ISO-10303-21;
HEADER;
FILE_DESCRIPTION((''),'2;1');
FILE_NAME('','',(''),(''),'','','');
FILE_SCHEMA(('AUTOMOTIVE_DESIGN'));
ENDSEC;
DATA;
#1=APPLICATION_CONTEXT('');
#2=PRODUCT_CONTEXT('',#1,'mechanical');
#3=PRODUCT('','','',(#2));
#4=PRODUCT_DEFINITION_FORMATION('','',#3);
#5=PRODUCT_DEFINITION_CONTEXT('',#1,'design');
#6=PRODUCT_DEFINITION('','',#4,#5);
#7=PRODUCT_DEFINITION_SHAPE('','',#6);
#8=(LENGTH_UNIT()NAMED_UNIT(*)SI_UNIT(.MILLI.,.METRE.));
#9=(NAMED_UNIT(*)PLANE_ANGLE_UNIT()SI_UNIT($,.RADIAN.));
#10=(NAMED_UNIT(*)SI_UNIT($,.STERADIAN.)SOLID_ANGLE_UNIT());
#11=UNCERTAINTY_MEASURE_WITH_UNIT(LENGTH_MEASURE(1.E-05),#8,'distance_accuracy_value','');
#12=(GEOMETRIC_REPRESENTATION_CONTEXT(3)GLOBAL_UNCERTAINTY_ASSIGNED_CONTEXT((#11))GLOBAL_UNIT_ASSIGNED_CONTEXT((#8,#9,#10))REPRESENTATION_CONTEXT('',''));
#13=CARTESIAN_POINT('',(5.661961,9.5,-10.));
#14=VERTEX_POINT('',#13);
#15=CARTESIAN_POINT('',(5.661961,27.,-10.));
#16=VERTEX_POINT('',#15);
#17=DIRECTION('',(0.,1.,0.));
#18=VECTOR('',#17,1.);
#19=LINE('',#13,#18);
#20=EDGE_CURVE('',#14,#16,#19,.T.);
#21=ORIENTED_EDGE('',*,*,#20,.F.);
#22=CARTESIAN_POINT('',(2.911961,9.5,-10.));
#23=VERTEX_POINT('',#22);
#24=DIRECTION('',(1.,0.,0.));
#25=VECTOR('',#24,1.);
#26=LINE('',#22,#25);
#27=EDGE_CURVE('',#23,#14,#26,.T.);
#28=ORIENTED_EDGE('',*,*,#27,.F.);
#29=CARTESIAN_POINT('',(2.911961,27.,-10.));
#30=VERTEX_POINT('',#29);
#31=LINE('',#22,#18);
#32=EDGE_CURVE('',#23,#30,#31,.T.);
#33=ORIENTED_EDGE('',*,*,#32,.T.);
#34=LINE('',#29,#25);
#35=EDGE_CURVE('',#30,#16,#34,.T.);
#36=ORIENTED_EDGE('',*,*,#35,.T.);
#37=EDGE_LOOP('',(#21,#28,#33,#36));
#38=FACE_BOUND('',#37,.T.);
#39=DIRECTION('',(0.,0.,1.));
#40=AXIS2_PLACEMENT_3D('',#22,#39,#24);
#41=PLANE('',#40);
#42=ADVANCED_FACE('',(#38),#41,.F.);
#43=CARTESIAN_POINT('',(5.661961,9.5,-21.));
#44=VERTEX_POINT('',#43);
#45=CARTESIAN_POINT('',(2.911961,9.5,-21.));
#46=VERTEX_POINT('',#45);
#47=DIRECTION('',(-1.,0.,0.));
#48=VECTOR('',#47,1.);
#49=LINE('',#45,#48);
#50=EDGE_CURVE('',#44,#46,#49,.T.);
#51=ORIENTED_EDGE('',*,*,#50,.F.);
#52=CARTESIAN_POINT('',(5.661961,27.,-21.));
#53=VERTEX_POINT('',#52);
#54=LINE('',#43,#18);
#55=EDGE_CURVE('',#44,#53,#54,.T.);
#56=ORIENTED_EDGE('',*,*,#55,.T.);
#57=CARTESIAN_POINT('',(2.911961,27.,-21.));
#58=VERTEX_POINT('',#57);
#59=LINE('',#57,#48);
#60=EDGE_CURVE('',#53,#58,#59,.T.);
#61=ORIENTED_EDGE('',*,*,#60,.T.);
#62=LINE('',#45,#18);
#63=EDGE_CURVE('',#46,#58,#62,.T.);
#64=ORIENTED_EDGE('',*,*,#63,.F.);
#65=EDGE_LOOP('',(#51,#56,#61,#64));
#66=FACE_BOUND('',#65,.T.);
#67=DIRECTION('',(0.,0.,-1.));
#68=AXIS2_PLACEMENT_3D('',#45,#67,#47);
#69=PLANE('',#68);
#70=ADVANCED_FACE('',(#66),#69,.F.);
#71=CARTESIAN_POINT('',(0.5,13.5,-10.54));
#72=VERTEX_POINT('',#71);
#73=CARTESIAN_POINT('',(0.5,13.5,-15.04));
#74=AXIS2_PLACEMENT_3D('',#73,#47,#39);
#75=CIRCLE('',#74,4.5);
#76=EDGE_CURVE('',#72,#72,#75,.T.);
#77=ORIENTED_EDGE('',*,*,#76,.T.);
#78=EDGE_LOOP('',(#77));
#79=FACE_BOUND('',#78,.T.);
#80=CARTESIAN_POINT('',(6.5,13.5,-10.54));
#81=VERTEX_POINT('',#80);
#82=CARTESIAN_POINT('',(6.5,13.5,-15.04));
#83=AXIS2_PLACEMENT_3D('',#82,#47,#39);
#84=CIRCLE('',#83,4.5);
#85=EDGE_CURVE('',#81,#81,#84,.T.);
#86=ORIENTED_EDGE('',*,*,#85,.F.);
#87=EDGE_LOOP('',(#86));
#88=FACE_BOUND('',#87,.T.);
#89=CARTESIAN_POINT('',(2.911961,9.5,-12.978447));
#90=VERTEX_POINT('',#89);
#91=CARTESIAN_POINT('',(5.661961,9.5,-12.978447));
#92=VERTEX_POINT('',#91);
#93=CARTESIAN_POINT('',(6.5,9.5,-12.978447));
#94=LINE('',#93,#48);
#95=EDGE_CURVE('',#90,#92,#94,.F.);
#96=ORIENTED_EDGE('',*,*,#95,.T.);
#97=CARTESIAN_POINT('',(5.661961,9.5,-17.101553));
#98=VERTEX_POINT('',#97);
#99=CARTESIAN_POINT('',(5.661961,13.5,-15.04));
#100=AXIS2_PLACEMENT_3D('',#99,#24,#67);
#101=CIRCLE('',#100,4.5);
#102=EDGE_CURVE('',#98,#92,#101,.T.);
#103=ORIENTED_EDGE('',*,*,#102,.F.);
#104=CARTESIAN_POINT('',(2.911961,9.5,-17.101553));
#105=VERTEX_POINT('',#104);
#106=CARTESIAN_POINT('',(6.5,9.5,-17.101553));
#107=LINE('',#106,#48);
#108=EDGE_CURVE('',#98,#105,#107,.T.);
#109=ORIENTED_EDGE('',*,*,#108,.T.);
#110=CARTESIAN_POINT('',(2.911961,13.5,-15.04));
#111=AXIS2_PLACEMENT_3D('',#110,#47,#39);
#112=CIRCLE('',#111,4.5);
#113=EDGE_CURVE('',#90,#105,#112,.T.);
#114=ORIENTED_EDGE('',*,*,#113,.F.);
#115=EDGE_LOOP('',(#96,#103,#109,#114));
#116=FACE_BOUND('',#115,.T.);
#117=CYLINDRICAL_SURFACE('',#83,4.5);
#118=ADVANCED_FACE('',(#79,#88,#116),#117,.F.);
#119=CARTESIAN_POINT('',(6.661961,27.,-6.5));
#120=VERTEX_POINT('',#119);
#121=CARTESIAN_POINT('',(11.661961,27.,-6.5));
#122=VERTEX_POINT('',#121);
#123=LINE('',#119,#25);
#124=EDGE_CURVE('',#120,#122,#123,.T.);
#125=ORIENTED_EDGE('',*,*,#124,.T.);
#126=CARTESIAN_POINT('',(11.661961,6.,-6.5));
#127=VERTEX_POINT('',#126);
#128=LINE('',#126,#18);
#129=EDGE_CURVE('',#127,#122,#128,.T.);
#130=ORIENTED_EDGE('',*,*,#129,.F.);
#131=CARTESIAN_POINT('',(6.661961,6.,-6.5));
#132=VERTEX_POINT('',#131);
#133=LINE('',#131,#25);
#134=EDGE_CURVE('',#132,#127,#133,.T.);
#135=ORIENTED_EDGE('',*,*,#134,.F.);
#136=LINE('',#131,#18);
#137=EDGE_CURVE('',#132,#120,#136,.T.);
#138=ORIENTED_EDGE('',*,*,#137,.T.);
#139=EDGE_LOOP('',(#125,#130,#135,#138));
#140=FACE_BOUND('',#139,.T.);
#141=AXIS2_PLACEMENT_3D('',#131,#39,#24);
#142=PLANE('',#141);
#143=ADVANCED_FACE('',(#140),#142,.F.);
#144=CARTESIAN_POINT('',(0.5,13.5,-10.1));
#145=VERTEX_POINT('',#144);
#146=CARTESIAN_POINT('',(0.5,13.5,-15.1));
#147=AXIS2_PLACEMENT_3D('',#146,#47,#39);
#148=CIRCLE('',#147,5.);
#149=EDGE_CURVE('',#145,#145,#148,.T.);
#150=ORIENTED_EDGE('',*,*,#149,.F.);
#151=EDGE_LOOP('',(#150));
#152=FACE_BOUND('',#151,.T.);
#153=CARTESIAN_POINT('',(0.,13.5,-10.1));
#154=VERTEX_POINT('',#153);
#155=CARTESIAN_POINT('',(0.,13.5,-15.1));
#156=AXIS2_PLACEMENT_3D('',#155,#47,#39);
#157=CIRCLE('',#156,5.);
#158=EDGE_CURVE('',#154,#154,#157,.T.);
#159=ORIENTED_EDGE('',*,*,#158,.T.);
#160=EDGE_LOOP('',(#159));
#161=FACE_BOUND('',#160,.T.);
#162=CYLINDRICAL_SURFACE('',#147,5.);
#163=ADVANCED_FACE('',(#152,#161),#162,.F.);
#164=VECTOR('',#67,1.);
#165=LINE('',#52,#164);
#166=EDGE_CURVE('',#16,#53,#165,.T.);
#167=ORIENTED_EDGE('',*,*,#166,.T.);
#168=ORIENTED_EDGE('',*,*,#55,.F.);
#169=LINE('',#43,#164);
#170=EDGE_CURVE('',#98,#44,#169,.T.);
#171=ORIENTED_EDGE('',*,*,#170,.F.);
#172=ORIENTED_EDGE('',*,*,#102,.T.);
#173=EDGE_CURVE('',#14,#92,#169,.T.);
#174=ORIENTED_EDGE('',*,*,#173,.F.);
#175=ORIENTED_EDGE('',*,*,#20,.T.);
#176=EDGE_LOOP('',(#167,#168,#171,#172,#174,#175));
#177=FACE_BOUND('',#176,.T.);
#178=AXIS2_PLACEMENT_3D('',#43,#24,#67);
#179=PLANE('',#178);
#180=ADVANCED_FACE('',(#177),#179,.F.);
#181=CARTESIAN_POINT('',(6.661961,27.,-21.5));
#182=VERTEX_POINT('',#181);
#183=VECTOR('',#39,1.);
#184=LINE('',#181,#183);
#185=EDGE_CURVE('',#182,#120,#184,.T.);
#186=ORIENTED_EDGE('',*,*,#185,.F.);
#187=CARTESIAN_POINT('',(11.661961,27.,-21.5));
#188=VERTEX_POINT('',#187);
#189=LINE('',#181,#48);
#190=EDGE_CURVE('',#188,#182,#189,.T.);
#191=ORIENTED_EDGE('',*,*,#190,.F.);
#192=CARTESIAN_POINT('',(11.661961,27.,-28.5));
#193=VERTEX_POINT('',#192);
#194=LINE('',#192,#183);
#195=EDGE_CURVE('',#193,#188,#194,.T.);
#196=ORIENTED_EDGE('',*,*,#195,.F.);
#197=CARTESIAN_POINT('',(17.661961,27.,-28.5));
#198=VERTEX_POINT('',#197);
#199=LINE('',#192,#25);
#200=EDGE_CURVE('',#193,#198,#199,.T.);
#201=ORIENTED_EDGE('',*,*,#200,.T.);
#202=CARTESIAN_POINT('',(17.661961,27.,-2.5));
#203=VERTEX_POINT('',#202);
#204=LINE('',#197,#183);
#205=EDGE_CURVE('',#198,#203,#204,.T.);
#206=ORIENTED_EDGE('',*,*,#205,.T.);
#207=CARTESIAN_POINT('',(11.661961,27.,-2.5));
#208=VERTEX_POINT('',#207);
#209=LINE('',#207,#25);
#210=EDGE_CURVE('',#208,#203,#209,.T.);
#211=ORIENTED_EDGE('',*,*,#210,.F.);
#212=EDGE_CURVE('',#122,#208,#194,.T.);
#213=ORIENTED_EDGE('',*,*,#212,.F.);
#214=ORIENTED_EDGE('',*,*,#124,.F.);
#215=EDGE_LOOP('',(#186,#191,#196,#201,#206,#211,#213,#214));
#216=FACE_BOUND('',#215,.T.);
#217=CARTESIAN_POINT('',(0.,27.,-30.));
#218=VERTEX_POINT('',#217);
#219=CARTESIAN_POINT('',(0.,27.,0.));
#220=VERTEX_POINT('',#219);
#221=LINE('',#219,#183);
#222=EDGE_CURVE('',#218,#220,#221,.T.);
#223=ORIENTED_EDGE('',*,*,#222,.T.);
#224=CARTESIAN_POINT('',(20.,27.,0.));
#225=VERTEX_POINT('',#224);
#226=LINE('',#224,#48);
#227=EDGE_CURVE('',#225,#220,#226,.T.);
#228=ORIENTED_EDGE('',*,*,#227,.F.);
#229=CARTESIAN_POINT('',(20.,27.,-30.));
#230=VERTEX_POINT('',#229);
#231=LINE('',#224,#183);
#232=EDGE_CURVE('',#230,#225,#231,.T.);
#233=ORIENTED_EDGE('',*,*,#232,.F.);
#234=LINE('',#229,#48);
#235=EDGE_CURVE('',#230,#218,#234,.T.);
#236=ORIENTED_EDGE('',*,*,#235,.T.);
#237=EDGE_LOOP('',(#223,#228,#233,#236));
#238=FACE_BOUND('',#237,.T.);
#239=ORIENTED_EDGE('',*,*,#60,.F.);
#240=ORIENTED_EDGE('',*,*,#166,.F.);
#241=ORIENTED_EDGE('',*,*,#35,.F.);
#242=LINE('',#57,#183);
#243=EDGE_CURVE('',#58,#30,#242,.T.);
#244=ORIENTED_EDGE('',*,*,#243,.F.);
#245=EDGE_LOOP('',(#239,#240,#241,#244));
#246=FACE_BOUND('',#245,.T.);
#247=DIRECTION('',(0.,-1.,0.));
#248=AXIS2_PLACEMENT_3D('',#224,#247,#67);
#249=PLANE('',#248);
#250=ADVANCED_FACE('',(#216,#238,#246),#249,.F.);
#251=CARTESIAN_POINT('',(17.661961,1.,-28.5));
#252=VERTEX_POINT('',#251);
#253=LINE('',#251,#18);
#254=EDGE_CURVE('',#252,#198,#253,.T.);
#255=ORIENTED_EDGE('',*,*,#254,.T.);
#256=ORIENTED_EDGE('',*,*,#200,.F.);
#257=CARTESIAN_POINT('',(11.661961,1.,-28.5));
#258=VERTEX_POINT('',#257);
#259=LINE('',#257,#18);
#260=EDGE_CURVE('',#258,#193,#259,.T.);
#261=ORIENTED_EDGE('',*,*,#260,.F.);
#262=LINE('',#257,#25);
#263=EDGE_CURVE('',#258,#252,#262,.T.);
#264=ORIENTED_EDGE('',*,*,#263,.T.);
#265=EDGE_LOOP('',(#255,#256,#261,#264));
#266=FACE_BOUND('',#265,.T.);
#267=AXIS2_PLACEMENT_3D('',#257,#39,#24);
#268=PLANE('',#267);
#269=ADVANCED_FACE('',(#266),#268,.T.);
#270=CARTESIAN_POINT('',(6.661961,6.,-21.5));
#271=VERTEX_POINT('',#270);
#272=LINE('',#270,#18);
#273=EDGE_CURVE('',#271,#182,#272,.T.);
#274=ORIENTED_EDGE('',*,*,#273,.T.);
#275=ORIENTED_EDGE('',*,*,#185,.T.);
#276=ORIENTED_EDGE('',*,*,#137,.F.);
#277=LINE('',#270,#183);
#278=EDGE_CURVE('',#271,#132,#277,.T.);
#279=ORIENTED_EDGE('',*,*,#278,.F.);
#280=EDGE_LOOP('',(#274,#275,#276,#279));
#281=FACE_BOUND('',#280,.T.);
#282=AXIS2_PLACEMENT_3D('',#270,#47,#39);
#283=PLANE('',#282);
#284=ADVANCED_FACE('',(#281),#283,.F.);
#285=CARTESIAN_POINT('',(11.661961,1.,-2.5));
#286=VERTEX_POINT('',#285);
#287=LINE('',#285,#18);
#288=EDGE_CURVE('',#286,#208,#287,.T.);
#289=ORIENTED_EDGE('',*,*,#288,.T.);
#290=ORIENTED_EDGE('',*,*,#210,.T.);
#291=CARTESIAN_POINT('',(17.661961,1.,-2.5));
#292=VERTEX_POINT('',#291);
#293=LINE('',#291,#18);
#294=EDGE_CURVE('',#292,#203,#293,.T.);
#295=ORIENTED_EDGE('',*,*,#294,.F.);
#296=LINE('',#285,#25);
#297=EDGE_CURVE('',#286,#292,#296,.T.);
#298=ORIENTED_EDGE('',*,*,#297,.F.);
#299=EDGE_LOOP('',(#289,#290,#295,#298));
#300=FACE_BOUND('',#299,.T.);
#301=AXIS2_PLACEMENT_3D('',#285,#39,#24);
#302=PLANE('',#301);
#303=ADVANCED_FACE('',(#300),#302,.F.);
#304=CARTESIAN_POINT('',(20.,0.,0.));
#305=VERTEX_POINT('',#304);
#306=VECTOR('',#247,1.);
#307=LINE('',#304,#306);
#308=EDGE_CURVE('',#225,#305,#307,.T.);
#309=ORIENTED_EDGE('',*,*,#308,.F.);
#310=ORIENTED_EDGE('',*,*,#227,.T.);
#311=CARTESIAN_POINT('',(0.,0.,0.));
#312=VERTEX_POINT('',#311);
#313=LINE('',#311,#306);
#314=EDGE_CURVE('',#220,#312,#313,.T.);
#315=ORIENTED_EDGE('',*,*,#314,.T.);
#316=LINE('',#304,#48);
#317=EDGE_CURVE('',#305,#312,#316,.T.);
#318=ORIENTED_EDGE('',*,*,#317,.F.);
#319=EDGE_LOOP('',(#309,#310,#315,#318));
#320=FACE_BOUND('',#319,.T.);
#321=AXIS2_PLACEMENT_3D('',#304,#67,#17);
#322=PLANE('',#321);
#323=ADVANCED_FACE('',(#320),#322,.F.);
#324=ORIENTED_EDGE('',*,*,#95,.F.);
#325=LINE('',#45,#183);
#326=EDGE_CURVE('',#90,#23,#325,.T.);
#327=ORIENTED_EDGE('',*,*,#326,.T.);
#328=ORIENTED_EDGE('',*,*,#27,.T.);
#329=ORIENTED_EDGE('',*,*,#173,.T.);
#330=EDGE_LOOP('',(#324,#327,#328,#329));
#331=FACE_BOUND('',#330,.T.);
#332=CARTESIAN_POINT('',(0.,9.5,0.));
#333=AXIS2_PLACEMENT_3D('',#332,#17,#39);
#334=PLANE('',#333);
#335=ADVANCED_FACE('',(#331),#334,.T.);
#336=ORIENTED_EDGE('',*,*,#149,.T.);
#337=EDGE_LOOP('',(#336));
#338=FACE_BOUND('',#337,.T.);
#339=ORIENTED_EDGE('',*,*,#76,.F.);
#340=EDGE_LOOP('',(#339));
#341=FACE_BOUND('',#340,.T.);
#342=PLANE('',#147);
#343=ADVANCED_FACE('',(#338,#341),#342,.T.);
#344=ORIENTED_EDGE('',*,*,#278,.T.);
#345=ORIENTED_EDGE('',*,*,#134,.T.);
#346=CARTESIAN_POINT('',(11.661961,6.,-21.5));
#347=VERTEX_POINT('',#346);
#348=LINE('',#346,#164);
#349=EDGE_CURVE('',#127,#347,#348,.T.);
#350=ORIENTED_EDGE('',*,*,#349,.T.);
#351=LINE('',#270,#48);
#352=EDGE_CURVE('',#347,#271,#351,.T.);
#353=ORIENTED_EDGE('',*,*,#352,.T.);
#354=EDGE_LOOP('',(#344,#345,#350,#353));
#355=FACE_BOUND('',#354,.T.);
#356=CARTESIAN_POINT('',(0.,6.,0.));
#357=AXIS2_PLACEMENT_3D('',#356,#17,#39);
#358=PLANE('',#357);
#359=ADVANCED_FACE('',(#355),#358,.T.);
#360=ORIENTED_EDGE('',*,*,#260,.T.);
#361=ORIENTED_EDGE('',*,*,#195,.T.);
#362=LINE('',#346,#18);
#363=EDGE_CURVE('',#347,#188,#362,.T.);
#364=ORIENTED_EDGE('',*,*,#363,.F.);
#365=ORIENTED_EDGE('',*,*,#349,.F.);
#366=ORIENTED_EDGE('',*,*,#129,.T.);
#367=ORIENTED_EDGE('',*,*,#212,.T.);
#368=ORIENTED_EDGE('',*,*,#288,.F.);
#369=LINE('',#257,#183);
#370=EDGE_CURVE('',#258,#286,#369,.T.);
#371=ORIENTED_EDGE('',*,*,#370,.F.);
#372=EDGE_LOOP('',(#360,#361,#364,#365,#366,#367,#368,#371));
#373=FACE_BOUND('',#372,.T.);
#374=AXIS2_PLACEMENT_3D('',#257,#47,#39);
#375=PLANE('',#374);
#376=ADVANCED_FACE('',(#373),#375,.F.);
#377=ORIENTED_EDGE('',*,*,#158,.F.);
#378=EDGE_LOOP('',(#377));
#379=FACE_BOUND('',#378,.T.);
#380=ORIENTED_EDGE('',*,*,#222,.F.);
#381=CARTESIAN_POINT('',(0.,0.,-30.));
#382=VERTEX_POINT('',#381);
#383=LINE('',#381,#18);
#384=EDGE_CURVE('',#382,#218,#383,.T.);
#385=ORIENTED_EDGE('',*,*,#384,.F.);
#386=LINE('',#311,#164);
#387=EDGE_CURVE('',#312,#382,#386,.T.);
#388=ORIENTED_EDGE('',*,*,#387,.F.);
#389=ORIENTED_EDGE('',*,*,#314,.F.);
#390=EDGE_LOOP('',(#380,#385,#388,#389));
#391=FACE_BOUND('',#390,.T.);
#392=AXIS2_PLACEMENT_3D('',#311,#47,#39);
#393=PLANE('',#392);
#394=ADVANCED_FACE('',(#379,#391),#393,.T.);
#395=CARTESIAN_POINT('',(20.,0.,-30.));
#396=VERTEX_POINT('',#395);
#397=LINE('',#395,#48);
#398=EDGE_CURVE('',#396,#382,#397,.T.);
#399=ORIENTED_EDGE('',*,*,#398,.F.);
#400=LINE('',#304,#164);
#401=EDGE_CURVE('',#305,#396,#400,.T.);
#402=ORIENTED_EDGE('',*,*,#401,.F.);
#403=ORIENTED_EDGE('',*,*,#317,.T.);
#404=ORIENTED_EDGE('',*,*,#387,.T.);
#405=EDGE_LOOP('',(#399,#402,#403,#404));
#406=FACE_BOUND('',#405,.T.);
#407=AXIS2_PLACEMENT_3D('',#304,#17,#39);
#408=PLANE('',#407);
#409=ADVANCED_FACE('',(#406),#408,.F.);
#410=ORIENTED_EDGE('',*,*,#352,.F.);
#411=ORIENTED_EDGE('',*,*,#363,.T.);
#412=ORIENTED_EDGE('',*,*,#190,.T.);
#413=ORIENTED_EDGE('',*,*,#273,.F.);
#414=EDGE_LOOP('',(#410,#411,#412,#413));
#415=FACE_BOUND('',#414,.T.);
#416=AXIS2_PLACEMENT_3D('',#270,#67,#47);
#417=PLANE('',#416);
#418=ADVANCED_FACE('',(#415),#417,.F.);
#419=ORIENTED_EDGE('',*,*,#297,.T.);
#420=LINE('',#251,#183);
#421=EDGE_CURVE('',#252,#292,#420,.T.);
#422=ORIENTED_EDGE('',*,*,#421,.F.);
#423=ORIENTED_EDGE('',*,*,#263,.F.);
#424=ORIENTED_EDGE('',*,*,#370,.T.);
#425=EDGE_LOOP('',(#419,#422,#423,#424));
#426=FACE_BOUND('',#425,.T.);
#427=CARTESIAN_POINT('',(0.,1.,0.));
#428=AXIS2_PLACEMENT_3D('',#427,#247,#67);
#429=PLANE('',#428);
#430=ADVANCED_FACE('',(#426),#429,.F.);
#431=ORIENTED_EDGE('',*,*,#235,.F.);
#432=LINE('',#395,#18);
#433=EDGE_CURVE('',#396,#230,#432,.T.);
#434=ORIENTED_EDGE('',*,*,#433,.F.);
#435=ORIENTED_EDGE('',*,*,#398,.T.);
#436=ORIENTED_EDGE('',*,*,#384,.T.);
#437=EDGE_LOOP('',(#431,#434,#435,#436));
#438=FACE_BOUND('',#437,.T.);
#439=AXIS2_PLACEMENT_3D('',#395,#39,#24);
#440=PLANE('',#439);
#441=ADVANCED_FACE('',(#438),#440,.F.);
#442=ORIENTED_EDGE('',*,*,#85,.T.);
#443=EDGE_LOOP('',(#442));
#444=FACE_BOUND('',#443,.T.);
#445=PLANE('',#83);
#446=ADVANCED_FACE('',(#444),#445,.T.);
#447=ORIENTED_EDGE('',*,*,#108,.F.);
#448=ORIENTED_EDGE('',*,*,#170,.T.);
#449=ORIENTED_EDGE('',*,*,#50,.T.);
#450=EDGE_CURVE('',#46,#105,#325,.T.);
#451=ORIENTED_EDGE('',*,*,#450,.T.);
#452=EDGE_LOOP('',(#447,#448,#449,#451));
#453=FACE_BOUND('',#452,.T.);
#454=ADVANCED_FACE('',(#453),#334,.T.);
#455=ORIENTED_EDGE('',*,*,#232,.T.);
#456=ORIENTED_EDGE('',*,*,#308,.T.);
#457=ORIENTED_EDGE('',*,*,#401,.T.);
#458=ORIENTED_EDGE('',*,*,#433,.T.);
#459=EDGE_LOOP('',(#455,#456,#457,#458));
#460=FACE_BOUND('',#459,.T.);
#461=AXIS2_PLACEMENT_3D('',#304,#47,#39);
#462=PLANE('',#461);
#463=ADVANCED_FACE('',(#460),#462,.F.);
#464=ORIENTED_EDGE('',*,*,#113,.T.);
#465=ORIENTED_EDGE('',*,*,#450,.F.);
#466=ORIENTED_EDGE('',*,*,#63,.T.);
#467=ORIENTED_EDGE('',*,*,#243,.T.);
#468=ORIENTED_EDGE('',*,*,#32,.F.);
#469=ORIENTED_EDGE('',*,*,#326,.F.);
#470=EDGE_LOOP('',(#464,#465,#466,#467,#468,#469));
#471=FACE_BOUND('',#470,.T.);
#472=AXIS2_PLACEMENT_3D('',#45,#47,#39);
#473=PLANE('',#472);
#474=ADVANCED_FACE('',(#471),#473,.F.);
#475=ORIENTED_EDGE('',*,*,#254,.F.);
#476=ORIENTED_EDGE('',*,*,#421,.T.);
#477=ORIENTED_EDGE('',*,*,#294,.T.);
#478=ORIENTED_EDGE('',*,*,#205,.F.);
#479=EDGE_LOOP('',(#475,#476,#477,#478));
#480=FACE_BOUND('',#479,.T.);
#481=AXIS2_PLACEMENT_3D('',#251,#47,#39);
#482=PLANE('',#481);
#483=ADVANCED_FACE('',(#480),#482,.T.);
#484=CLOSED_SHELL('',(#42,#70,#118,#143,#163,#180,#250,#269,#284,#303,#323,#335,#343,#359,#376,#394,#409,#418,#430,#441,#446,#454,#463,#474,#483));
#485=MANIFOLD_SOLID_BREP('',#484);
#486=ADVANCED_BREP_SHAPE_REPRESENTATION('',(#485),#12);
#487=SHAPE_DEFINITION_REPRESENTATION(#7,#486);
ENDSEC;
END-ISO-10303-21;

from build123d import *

# Parameters (mm, degrees)
SKETCH2_W           = 30
SKETCH2_H           = 27
BOSS_EXTRUDE1_DEPTH = 20
SKETCH6_W           = 6
SKETCH6_H           = 26
CUT_EXTRUDE4_DEPTH  = 26
SKETCH9_W           = 5
SKETCH9_H           = 15
CUT_EXTRUDE5_DEPTH  = 21
SKETCH11_R          = 5
CUT_EXTRUDE8_DEPTH  = 0.5
SKETCH12_W          = 2.75
SKETCH12_H          = 11
CUT_EXTRUDE12_DEPTH = 17.5
SKETCH15_R          = 4.5
CUT_EXTRUDE13_DEPTH = 6


with BuildPart() as part:
    # Sketch2 → Boss-Extrude1 (new body)
    with BuildSketch(Plane(origin=(0, 0, 0), x_dir=(0, 0, -1), z_dir=(1, 0, 0))):
        with Locations((15, 13.5)):
            Rectangle(SKETCH2_W, SKETCH2_H)
    extrude(amount=BOSS_EXTRUDE1_DEPTH)

    # Sketch6 → Cut-Extrude4 (cut)
    with BuildSketch(Plane(origin=(2.296116437, 27, -0.293484995), x_dir=(1, 0, 0), z_dir=(0, 1, 0))):
        with Locations((12.365844825, 15.206515005)):
            Rectangle(SKETCH6_W, SKETCH6_H)
    extrude(amount=-CUT_EXTRUDE4_DEPTH, mode=Mode.SUBTRACT)

    # Sketch9 → Cut-Extrude5 (cut)
    with BuildSketch(Plane(origin=(0, 27, 0), x_dir=(1, 0, 0), z_dir=(0, 1, 0))):
        with Locations((9.161961261, 14)):
            Rectangle(SKETCH9_W, SKETCH9_H)
    extrude(amount=-CUT_EXTRUDE5_DEPTH, mode=Mode.SUBTRACT)

    # Sketch11 → Cut-Extrude8 (cut)
    with BuildSketch(Plane.ZY):
        with Locations((-15.1, 13.5)):
            Circle(SKETCH11_R)
    extrude(amount=-CUT_EXTRUDE8_DEPTH, mode=Mode.SUBTRACT)

    # Sketch12 → Cut-Extrude12 (cut)
    with BuildSketch(Plane(origin=(0, 27, 0), x_dir=(1, 0, 0), z_dir=(0, 1, 0))):
        with Locations((4.286961261, 15.5)):
            Rectangle(SKETCH12_W, SKETCH12_H)
    extrude(amount=-CUT_EXTRUDE12_DEPTH, mode=Mode.SUBTRACT)

    # Sketch15 → Cut-Extrude13 (cut)
    with BuildSketch(Plane.ZY.offset(-0.5)):
        with Locations((-15.04, 13.5)):
            Circle(SKETCH15_R)
    extrude(amount=-CUT_EXTRUDE13_DEPTH, mode=Mode.SUBTRACT)


solid = part.part
